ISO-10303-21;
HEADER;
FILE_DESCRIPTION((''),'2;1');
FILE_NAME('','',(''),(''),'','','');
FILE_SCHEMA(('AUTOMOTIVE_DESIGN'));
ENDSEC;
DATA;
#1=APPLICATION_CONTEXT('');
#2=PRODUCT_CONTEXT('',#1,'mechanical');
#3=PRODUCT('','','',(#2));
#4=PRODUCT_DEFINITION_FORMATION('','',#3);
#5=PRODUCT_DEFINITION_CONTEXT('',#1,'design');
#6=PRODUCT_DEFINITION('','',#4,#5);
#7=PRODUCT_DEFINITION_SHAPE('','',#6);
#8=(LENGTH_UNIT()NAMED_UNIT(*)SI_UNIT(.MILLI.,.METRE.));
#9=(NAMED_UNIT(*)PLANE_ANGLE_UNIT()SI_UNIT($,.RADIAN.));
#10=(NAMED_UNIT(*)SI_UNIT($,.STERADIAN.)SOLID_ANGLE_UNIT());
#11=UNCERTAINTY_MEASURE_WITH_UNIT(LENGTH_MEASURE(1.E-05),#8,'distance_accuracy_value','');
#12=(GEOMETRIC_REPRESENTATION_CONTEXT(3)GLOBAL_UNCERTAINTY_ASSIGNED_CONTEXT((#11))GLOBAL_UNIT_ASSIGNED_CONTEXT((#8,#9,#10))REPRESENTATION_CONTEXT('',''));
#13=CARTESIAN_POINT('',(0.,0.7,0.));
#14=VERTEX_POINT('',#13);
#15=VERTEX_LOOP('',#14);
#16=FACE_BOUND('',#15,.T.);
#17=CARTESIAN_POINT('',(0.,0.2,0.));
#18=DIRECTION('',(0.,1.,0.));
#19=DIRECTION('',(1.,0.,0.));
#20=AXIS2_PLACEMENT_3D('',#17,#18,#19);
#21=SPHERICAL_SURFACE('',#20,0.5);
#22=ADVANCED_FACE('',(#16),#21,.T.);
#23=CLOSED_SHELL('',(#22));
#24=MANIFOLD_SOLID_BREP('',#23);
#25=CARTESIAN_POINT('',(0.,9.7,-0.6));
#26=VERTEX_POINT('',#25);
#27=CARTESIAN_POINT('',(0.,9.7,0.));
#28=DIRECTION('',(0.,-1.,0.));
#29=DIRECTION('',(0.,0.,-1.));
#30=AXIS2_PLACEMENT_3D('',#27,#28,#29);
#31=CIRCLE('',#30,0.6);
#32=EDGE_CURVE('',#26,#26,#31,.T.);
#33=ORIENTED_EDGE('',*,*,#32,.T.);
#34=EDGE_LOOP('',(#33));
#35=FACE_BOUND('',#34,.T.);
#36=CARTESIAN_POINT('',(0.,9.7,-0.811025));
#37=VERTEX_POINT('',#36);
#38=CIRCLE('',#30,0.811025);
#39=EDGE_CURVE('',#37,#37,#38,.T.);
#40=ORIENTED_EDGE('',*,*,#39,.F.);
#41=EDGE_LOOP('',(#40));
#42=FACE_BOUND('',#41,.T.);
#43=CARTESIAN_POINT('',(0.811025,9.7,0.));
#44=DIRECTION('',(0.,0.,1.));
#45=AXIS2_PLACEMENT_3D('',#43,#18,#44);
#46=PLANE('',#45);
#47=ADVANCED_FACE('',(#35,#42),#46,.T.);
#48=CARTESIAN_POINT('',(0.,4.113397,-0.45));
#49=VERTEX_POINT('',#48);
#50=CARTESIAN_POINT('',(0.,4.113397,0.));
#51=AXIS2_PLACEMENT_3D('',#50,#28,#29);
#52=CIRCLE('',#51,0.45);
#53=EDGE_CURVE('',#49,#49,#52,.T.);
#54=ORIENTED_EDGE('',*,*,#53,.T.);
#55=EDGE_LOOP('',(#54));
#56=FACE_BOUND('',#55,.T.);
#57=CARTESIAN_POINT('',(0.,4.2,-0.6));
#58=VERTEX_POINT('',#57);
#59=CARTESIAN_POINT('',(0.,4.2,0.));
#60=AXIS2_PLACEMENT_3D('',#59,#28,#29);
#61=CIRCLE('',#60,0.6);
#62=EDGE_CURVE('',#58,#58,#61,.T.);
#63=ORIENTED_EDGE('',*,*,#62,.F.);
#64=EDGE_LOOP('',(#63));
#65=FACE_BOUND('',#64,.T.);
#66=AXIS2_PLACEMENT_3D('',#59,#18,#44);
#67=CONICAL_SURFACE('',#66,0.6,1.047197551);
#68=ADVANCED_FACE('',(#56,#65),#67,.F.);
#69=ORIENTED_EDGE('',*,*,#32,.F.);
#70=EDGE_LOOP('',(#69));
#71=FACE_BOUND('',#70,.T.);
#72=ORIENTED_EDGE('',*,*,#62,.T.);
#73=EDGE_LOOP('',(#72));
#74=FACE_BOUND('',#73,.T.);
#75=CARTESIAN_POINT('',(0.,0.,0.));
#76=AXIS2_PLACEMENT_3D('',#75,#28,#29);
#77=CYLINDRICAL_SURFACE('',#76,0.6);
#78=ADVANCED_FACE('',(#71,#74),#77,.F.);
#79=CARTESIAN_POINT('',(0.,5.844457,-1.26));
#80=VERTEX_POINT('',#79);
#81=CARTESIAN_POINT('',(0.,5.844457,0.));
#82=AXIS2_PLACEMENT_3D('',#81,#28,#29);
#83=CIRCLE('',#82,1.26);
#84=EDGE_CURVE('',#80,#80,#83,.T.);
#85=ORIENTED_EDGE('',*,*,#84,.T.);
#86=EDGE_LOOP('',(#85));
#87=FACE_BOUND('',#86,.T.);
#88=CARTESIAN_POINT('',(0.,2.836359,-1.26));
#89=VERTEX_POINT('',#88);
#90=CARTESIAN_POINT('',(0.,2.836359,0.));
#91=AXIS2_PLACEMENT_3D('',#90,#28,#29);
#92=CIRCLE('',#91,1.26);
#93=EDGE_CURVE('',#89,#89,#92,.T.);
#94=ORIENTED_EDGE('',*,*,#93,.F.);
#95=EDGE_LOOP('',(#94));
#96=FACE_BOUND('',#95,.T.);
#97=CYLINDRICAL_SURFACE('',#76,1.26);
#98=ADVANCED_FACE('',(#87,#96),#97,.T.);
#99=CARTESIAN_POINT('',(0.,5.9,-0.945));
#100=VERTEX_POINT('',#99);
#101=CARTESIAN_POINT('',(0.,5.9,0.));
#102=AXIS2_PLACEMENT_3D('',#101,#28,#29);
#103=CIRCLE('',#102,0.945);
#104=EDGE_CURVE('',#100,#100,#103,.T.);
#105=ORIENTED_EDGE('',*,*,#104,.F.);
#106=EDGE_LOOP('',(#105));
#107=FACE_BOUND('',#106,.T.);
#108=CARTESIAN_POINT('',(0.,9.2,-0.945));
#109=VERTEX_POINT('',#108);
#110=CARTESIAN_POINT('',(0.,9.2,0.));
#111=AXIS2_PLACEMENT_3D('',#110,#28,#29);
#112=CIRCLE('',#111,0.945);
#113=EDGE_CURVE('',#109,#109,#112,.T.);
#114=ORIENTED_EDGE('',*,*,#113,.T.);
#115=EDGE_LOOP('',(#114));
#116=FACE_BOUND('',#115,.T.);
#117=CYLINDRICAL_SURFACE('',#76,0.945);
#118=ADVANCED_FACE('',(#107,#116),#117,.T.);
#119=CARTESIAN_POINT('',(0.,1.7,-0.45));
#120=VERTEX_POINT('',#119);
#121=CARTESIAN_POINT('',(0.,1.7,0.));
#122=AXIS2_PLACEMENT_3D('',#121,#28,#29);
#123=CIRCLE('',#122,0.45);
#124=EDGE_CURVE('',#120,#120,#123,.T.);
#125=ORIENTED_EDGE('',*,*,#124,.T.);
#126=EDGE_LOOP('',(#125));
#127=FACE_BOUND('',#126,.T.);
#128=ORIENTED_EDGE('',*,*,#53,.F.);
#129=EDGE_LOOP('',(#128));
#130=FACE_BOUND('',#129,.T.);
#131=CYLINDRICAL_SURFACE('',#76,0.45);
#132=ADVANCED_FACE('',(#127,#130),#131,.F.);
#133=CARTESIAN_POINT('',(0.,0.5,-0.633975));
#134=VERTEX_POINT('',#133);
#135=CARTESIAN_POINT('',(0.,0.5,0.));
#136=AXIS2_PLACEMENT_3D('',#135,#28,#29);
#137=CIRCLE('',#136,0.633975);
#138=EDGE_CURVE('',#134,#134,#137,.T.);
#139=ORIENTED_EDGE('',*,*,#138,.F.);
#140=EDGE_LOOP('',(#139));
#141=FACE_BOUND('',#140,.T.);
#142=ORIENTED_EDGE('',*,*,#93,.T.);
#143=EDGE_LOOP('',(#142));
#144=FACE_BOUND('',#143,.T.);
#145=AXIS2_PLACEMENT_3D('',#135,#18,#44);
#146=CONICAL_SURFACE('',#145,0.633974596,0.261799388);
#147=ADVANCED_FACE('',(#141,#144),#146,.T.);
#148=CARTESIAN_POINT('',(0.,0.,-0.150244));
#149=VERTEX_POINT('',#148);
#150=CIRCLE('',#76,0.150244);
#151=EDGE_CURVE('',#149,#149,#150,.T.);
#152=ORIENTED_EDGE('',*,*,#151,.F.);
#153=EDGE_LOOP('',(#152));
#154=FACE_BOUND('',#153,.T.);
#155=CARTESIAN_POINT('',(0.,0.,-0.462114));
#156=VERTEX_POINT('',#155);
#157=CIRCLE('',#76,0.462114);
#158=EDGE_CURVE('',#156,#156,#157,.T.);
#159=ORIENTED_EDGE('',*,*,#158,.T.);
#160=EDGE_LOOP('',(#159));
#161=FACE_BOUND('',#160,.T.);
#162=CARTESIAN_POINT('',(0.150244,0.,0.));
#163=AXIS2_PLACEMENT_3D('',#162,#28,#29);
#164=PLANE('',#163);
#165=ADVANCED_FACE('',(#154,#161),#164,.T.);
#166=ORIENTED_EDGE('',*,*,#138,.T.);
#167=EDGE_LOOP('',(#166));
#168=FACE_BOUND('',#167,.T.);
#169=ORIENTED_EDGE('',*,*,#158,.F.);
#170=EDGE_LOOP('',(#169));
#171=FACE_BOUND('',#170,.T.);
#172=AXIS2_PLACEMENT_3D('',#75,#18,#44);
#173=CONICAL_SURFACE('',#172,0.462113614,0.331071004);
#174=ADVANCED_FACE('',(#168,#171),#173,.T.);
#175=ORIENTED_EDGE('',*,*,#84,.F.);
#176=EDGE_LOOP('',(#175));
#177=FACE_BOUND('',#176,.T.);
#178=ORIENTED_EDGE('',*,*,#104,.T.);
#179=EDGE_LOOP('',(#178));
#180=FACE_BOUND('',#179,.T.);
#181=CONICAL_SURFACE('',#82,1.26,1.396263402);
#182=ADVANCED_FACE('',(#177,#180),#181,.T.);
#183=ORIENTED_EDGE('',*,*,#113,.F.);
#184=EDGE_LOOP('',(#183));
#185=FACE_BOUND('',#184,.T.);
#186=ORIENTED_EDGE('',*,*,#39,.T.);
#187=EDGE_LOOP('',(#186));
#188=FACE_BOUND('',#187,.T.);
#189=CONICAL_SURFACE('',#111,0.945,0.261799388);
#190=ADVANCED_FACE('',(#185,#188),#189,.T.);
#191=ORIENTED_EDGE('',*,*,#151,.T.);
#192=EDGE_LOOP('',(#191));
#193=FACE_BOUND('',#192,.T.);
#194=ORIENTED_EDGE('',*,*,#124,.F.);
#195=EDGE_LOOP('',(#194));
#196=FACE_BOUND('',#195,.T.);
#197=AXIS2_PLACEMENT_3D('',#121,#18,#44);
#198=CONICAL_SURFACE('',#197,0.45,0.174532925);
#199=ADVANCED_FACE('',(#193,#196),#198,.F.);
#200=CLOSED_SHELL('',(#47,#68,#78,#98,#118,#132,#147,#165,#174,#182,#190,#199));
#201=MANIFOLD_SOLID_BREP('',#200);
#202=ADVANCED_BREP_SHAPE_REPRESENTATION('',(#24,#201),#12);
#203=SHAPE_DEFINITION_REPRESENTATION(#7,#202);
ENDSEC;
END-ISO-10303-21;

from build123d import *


with BuildPart() as part:
    # Esboço1 → Revolução1 (revolve)
    with BuildSketch(Plane.XY, mode=Mode.PRIVATE) as revolu_o1_sk:
        Polygon((0.633974596, 0.5), (1.26, 2.836358614), (1.26, 5.844457001), (0.945, 5.9), (0.945, 9.2), (0.811025404, 9.7), (0.6, 9.7), (0.6, 4.2), (0.45, 4.11339746), (0.45, 1.7), (0.150244133, 0), (0.462113614, 0), align=None)
    revolve(revolu_o1_sk.sketch.rotate(Axis((0, 0, 0), (0, 1, 0)), 90), axis=Axis((0, 0, 0), (0, 1, 0)))


with BuildPart() as body_2:
    # Esboço2 → Revolução2 (revolve)
    with BuildSketch(Plane.XY):
        with BuildLine():
            Line((0, 0.7), (0, -0.3))
            ThreePointArc((0, -0.3), (0.5, 0.2), (0, 0.7))
        make_face()
    revolve(axis=Axis((0, 0.7, 0), (0, -1, 0)))


solid = Compound([part.part, body_2.part])
